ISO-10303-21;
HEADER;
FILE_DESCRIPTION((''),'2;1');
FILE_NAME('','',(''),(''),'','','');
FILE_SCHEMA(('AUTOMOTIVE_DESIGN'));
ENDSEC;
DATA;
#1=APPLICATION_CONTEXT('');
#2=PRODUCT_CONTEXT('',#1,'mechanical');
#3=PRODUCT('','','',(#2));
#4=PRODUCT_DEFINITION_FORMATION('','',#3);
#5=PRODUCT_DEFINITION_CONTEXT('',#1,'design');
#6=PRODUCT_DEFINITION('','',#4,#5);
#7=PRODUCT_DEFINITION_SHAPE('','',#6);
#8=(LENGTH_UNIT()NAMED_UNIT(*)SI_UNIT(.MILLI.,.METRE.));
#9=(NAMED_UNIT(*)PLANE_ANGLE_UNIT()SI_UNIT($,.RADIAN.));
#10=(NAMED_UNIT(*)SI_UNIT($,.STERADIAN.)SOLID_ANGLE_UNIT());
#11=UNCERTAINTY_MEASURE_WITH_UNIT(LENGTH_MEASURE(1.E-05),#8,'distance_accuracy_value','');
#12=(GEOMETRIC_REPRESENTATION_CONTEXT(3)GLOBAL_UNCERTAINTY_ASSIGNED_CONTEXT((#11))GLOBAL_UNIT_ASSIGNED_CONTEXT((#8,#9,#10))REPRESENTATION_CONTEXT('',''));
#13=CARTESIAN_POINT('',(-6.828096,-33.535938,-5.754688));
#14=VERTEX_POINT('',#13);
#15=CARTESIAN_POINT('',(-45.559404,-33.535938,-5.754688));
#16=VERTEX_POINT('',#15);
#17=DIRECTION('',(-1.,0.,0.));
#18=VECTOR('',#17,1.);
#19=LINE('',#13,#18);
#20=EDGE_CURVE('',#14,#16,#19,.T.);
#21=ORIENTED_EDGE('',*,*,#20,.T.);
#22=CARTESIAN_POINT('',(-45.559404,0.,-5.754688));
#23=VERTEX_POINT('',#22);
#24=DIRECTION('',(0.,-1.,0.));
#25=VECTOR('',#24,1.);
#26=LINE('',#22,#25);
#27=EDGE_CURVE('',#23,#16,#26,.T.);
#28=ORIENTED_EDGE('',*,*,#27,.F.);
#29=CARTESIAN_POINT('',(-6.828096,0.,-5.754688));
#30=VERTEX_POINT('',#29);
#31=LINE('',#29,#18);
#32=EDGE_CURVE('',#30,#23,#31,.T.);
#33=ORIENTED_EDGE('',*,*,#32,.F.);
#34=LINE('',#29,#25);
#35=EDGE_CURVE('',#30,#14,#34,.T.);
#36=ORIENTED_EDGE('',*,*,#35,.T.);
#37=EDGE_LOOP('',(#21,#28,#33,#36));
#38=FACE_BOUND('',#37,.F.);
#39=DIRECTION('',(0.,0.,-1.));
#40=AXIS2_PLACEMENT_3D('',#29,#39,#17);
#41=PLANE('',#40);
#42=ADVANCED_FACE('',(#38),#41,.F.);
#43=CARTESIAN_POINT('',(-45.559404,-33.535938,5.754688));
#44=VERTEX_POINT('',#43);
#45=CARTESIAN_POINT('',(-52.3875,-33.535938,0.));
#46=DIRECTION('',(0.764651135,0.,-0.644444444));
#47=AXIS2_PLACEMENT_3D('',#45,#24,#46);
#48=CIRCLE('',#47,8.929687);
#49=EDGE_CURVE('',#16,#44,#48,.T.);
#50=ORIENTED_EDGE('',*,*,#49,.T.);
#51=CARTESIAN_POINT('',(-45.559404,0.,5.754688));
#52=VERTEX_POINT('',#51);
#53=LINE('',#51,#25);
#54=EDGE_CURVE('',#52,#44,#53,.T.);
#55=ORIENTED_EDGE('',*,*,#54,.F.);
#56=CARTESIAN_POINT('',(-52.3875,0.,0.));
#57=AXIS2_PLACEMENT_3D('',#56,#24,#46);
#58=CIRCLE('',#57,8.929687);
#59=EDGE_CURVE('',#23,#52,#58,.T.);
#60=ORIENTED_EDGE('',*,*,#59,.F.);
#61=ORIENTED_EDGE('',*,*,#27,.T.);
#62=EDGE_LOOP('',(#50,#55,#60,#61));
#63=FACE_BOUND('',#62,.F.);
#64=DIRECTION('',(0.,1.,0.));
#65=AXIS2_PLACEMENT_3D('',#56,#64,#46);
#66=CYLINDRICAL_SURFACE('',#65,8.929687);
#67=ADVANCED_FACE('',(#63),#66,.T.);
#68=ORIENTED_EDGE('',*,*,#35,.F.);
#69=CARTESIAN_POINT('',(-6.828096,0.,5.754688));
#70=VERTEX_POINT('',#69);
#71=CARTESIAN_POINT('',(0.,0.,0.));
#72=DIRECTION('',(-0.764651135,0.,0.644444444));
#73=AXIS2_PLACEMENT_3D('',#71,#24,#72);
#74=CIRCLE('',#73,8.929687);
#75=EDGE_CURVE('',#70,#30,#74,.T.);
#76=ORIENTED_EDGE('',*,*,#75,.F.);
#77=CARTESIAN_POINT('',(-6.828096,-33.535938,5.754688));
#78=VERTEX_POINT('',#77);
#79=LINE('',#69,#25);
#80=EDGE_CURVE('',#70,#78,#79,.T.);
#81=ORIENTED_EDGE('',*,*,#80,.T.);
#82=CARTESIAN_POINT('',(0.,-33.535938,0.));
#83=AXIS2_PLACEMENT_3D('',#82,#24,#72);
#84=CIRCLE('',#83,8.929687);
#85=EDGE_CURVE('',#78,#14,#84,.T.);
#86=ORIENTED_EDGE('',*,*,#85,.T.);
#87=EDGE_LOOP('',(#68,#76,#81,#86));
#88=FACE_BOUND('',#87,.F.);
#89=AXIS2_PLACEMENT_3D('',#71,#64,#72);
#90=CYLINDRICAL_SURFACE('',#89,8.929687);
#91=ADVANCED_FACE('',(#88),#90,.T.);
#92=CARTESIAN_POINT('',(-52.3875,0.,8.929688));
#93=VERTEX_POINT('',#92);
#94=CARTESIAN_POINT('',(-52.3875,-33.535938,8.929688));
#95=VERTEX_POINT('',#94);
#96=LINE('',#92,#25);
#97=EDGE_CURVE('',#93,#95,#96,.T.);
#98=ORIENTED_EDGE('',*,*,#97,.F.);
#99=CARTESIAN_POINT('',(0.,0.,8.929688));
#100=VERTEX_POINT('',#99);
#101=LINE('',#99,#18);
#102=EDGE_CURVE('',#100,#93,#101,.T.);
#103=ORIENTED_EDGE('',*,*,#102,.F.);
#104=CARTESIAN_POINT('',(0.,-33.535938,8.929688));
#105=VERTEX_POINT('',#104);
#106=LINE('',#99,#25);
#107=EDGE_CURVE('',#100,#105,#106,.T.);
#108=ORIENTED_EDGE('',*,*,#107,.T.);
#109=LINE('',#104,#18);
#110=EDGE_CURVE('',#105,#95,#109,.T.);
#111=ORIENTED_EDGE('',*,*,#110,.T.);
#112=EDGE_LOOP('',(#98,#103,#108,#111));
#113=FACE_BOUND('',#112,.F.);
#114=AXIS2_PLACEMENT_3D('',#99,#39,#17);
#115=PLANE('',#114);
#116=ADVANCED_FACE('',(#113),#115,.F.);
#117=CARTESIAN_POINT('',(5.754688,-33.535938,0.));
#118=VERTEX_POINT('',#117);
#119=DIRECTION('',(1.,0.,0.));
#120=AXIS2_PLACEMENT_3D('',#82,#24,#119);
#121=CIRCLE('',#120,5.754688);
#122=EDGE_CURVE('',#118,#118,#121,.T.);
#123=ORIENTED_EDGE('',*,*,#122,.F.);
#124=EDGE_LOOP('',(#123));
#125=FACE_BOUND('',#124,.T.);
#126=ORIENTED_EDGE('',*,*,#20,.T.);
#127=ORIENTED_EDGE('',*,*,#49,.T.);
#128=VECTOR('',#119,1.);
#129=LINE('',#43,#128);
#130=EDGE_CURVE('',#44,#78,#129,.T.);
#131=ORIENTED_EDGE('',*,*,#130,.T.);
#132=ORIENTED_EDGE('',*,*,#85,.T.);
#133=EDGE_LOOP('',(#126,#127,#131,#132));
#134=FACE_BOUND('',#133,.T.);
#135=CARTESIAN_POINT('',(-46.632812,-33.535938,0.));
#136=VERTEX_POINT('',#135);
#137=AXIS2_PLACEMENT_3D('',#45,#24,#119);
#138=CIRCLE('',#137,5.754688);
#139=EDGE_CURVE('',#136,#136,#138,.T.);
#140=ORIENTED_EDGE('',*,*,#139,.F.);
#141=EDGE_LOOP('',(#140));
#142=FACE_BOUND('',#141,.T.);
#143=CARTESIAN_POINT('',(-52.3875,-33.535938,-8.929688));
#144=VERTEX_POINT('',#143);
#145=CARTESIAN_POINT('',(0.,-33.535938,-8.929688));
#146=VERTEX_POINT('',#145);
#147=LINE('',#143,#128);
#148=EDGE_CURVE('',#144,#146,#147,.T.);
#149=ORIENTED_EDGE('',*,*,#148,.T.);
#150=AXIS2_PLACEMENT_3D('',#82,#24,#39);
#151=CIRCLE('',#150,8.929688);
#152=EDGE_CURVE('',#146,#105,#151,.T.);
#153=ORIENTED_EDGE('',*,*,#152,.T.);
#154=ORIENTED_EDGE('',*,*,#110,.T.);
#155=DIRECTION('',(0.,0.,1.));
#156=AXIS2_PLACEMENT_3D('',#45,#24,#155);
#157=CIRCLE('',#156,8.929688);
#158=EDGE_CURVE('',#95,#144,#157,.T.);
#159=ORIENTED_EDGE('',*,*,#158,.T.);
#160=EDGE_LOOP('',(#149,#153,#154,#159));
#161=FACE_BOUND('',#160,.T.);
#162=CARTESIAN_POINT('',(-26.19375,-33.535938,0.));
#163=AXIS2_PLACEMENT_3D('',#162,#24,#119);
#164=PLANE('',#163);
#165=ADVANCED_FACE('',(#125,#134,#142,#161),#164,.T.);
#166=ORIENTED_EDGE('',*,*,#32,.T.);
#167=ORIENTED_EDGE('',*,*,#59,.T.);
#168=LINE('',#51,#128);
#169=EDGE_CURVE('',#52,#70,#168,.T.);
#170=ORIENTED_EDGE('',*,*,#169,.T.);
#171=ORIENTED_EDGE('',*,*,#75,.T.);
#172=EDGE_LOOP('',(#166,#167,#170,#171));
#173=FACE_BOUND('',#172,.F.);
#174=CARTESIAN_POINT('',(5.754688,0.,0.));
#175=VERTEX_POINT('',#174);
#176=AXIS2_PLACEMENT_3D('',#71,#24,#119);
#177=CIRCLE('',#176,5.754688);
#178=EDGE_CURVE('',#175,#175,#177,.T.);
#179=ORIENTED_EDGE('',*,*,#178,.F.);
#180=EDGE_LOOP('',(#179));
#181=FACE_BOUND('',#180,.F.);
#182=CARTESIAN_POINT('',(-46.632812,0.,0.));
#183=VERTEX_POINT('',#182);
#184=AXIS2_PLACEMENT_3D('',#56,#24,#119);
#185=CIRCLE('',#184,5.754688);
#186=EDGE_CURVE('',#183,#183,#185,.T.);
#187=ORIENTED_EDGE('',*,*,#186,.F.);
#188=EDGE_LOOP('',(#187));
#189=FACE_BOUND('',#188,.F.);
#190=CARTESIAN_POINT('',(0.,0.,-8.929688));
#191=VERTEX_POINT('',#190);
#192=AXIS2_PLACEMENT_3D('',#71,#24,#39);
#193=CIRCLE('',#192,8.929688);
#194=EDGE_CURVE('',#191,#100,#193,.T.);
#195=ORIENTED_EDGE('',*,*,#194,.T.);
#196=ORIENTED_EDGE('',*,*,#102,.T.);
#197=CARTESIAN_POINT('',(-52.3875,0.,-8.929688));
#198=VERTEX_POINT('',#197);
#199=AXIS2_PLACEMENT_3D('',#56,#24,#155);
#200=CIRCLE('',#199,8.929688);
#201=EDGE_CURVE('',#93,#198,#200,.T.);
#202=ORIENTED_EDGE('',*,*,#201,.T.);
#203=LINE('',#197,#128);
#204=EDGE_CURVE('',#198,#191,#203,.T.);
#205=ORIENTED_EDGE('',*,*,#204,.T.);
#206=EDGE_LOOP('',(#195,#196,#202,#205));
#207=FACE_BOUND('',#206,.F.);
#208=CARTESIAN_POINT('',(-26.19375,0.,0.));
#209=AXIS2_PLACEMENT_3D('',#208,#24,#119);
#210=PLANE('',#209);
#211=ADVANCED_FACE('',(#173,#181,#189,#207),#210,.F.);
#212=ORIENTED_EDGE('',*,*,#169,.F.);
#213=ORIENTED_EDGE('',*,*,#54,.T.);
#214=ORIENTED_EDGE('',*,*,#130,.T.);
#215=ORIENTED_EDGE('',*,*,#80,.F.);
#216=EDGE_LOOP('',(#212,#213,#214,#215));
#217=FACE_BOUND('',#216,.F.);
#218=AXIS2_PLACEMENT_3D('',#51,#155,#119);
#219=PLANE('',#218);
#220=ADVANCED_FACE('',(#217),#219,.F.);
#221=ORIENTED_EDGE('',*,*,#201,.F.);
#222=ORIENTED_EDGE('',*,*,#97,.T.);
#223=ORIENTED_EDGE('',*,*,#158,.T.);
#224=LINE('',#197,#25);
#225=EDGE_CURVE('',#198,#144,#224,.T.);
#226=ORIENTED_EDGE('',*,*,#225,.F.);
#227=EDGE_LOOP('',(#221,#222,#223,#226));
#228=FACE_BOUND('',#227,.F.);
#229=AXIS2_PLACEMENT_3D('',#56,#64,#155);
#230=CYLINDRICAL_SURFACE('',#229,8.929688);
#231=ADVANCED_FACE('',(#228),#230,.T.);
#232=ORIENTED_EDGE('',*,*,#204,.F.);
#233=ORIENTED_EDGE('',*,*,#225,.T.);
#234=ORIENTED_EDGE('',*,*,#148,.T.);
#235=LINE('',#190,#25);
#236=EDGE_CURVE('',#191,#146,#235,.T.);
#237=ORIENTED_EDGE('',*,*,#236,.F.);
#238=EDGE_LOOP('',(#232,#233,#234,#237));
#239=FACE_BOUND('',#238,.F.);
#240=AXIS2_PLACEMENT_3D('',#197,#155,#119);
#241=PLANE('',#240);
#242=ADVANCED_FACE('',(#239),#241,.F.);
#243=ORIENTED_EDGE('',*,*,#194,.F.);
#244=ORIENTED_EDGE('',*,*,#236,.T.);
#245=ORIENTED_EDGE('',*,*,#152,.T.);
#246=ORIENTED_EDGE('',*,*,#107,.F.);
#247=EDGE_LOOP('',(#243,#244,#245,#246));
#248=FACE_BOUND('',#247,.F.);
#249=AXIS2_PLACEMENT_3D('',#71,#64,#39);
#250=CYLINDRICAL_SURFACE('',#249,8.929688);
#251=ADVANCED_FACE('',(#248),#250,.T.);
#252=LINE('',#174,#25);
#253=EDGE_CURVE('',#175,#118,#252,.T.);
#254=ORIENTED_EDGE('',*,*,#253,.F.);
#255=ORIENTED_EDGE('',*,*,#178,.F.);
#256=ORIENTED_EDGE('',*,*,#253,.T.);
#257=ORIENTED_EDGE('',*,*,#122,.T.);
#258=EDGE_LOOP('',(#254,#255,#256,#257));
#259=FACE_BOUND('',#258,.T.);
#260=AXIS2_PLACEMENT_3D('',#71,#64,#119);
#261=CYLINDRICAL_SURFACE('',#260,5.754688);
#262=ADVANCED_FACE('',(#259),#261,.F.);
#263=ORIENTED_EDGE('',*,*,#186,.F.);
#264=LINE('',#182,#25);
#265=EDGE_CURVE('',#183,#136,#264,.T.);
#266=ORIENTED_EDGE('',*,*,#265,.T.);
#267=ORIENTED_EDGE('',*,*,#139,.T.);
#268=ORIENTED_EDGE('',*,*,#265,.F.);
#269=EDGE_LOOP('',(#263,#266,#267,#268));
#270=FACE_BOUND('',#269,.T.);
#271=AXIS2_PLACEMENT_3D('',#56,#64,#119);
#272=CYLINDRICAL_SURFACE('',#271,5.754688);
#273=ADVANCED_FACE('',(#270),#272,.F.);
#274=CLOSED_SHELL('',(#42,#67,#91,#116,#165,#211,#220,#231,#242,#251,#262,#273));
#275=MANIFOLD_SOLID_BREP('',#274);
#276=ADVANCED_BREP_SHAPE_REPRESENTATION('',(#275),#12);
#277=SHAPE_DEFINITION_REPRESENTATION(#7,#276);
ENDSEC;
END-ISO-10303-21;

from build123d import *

# Parameters (mm, degrees)
F0_R     = 5.7546875
F1_DEPTH = 33.5359375


with BuildPart() as f1:
    # F0 (on Front) → F1 (new body)
    with BuildSketch(Plane.XZ):
        with BuildLine():
            Line((0, 8.9296875), (-52.3875, 8.9296875))
            ThreePointArc((-52.3875, 8.9296875), (-61.3171875, 0), (-52.3875, -8.9296875))
            Line((-52.3875, -8.9296875), (0, -8.9296875))
            ThreePointArc((0, -8.9296875), (8.9296875, 0), (0, 8.9296875))
        make_face()
        with Locations((-52.3875, 0)):
            Circle(F0_R, mode=Mode.SUBTRACT)
        with BuildLine():
            Line((-45.5594043193, 5.7546875), (-6.8280956807, 5.7546875))
            ThreePointArc((-6.8280956807, 5.7546875), (-8.9296875, 0), (-6.8280956807, -5.7546875))
            Line((-6.8280956807, -5.7546875), (-45.5594043193, -5.7546875))
            ThreePointArc((-45.5594043193, -5.7546875), (-43.4578125, 0), (-45.5594043193, 5.7546875))
        make_face(mode=Mode.SUBTRACT)
        Circle(F0_R, mode=Mode.SUBTRACT)
    extrude(amount=F1_DEPTH)


solid = f1.part
